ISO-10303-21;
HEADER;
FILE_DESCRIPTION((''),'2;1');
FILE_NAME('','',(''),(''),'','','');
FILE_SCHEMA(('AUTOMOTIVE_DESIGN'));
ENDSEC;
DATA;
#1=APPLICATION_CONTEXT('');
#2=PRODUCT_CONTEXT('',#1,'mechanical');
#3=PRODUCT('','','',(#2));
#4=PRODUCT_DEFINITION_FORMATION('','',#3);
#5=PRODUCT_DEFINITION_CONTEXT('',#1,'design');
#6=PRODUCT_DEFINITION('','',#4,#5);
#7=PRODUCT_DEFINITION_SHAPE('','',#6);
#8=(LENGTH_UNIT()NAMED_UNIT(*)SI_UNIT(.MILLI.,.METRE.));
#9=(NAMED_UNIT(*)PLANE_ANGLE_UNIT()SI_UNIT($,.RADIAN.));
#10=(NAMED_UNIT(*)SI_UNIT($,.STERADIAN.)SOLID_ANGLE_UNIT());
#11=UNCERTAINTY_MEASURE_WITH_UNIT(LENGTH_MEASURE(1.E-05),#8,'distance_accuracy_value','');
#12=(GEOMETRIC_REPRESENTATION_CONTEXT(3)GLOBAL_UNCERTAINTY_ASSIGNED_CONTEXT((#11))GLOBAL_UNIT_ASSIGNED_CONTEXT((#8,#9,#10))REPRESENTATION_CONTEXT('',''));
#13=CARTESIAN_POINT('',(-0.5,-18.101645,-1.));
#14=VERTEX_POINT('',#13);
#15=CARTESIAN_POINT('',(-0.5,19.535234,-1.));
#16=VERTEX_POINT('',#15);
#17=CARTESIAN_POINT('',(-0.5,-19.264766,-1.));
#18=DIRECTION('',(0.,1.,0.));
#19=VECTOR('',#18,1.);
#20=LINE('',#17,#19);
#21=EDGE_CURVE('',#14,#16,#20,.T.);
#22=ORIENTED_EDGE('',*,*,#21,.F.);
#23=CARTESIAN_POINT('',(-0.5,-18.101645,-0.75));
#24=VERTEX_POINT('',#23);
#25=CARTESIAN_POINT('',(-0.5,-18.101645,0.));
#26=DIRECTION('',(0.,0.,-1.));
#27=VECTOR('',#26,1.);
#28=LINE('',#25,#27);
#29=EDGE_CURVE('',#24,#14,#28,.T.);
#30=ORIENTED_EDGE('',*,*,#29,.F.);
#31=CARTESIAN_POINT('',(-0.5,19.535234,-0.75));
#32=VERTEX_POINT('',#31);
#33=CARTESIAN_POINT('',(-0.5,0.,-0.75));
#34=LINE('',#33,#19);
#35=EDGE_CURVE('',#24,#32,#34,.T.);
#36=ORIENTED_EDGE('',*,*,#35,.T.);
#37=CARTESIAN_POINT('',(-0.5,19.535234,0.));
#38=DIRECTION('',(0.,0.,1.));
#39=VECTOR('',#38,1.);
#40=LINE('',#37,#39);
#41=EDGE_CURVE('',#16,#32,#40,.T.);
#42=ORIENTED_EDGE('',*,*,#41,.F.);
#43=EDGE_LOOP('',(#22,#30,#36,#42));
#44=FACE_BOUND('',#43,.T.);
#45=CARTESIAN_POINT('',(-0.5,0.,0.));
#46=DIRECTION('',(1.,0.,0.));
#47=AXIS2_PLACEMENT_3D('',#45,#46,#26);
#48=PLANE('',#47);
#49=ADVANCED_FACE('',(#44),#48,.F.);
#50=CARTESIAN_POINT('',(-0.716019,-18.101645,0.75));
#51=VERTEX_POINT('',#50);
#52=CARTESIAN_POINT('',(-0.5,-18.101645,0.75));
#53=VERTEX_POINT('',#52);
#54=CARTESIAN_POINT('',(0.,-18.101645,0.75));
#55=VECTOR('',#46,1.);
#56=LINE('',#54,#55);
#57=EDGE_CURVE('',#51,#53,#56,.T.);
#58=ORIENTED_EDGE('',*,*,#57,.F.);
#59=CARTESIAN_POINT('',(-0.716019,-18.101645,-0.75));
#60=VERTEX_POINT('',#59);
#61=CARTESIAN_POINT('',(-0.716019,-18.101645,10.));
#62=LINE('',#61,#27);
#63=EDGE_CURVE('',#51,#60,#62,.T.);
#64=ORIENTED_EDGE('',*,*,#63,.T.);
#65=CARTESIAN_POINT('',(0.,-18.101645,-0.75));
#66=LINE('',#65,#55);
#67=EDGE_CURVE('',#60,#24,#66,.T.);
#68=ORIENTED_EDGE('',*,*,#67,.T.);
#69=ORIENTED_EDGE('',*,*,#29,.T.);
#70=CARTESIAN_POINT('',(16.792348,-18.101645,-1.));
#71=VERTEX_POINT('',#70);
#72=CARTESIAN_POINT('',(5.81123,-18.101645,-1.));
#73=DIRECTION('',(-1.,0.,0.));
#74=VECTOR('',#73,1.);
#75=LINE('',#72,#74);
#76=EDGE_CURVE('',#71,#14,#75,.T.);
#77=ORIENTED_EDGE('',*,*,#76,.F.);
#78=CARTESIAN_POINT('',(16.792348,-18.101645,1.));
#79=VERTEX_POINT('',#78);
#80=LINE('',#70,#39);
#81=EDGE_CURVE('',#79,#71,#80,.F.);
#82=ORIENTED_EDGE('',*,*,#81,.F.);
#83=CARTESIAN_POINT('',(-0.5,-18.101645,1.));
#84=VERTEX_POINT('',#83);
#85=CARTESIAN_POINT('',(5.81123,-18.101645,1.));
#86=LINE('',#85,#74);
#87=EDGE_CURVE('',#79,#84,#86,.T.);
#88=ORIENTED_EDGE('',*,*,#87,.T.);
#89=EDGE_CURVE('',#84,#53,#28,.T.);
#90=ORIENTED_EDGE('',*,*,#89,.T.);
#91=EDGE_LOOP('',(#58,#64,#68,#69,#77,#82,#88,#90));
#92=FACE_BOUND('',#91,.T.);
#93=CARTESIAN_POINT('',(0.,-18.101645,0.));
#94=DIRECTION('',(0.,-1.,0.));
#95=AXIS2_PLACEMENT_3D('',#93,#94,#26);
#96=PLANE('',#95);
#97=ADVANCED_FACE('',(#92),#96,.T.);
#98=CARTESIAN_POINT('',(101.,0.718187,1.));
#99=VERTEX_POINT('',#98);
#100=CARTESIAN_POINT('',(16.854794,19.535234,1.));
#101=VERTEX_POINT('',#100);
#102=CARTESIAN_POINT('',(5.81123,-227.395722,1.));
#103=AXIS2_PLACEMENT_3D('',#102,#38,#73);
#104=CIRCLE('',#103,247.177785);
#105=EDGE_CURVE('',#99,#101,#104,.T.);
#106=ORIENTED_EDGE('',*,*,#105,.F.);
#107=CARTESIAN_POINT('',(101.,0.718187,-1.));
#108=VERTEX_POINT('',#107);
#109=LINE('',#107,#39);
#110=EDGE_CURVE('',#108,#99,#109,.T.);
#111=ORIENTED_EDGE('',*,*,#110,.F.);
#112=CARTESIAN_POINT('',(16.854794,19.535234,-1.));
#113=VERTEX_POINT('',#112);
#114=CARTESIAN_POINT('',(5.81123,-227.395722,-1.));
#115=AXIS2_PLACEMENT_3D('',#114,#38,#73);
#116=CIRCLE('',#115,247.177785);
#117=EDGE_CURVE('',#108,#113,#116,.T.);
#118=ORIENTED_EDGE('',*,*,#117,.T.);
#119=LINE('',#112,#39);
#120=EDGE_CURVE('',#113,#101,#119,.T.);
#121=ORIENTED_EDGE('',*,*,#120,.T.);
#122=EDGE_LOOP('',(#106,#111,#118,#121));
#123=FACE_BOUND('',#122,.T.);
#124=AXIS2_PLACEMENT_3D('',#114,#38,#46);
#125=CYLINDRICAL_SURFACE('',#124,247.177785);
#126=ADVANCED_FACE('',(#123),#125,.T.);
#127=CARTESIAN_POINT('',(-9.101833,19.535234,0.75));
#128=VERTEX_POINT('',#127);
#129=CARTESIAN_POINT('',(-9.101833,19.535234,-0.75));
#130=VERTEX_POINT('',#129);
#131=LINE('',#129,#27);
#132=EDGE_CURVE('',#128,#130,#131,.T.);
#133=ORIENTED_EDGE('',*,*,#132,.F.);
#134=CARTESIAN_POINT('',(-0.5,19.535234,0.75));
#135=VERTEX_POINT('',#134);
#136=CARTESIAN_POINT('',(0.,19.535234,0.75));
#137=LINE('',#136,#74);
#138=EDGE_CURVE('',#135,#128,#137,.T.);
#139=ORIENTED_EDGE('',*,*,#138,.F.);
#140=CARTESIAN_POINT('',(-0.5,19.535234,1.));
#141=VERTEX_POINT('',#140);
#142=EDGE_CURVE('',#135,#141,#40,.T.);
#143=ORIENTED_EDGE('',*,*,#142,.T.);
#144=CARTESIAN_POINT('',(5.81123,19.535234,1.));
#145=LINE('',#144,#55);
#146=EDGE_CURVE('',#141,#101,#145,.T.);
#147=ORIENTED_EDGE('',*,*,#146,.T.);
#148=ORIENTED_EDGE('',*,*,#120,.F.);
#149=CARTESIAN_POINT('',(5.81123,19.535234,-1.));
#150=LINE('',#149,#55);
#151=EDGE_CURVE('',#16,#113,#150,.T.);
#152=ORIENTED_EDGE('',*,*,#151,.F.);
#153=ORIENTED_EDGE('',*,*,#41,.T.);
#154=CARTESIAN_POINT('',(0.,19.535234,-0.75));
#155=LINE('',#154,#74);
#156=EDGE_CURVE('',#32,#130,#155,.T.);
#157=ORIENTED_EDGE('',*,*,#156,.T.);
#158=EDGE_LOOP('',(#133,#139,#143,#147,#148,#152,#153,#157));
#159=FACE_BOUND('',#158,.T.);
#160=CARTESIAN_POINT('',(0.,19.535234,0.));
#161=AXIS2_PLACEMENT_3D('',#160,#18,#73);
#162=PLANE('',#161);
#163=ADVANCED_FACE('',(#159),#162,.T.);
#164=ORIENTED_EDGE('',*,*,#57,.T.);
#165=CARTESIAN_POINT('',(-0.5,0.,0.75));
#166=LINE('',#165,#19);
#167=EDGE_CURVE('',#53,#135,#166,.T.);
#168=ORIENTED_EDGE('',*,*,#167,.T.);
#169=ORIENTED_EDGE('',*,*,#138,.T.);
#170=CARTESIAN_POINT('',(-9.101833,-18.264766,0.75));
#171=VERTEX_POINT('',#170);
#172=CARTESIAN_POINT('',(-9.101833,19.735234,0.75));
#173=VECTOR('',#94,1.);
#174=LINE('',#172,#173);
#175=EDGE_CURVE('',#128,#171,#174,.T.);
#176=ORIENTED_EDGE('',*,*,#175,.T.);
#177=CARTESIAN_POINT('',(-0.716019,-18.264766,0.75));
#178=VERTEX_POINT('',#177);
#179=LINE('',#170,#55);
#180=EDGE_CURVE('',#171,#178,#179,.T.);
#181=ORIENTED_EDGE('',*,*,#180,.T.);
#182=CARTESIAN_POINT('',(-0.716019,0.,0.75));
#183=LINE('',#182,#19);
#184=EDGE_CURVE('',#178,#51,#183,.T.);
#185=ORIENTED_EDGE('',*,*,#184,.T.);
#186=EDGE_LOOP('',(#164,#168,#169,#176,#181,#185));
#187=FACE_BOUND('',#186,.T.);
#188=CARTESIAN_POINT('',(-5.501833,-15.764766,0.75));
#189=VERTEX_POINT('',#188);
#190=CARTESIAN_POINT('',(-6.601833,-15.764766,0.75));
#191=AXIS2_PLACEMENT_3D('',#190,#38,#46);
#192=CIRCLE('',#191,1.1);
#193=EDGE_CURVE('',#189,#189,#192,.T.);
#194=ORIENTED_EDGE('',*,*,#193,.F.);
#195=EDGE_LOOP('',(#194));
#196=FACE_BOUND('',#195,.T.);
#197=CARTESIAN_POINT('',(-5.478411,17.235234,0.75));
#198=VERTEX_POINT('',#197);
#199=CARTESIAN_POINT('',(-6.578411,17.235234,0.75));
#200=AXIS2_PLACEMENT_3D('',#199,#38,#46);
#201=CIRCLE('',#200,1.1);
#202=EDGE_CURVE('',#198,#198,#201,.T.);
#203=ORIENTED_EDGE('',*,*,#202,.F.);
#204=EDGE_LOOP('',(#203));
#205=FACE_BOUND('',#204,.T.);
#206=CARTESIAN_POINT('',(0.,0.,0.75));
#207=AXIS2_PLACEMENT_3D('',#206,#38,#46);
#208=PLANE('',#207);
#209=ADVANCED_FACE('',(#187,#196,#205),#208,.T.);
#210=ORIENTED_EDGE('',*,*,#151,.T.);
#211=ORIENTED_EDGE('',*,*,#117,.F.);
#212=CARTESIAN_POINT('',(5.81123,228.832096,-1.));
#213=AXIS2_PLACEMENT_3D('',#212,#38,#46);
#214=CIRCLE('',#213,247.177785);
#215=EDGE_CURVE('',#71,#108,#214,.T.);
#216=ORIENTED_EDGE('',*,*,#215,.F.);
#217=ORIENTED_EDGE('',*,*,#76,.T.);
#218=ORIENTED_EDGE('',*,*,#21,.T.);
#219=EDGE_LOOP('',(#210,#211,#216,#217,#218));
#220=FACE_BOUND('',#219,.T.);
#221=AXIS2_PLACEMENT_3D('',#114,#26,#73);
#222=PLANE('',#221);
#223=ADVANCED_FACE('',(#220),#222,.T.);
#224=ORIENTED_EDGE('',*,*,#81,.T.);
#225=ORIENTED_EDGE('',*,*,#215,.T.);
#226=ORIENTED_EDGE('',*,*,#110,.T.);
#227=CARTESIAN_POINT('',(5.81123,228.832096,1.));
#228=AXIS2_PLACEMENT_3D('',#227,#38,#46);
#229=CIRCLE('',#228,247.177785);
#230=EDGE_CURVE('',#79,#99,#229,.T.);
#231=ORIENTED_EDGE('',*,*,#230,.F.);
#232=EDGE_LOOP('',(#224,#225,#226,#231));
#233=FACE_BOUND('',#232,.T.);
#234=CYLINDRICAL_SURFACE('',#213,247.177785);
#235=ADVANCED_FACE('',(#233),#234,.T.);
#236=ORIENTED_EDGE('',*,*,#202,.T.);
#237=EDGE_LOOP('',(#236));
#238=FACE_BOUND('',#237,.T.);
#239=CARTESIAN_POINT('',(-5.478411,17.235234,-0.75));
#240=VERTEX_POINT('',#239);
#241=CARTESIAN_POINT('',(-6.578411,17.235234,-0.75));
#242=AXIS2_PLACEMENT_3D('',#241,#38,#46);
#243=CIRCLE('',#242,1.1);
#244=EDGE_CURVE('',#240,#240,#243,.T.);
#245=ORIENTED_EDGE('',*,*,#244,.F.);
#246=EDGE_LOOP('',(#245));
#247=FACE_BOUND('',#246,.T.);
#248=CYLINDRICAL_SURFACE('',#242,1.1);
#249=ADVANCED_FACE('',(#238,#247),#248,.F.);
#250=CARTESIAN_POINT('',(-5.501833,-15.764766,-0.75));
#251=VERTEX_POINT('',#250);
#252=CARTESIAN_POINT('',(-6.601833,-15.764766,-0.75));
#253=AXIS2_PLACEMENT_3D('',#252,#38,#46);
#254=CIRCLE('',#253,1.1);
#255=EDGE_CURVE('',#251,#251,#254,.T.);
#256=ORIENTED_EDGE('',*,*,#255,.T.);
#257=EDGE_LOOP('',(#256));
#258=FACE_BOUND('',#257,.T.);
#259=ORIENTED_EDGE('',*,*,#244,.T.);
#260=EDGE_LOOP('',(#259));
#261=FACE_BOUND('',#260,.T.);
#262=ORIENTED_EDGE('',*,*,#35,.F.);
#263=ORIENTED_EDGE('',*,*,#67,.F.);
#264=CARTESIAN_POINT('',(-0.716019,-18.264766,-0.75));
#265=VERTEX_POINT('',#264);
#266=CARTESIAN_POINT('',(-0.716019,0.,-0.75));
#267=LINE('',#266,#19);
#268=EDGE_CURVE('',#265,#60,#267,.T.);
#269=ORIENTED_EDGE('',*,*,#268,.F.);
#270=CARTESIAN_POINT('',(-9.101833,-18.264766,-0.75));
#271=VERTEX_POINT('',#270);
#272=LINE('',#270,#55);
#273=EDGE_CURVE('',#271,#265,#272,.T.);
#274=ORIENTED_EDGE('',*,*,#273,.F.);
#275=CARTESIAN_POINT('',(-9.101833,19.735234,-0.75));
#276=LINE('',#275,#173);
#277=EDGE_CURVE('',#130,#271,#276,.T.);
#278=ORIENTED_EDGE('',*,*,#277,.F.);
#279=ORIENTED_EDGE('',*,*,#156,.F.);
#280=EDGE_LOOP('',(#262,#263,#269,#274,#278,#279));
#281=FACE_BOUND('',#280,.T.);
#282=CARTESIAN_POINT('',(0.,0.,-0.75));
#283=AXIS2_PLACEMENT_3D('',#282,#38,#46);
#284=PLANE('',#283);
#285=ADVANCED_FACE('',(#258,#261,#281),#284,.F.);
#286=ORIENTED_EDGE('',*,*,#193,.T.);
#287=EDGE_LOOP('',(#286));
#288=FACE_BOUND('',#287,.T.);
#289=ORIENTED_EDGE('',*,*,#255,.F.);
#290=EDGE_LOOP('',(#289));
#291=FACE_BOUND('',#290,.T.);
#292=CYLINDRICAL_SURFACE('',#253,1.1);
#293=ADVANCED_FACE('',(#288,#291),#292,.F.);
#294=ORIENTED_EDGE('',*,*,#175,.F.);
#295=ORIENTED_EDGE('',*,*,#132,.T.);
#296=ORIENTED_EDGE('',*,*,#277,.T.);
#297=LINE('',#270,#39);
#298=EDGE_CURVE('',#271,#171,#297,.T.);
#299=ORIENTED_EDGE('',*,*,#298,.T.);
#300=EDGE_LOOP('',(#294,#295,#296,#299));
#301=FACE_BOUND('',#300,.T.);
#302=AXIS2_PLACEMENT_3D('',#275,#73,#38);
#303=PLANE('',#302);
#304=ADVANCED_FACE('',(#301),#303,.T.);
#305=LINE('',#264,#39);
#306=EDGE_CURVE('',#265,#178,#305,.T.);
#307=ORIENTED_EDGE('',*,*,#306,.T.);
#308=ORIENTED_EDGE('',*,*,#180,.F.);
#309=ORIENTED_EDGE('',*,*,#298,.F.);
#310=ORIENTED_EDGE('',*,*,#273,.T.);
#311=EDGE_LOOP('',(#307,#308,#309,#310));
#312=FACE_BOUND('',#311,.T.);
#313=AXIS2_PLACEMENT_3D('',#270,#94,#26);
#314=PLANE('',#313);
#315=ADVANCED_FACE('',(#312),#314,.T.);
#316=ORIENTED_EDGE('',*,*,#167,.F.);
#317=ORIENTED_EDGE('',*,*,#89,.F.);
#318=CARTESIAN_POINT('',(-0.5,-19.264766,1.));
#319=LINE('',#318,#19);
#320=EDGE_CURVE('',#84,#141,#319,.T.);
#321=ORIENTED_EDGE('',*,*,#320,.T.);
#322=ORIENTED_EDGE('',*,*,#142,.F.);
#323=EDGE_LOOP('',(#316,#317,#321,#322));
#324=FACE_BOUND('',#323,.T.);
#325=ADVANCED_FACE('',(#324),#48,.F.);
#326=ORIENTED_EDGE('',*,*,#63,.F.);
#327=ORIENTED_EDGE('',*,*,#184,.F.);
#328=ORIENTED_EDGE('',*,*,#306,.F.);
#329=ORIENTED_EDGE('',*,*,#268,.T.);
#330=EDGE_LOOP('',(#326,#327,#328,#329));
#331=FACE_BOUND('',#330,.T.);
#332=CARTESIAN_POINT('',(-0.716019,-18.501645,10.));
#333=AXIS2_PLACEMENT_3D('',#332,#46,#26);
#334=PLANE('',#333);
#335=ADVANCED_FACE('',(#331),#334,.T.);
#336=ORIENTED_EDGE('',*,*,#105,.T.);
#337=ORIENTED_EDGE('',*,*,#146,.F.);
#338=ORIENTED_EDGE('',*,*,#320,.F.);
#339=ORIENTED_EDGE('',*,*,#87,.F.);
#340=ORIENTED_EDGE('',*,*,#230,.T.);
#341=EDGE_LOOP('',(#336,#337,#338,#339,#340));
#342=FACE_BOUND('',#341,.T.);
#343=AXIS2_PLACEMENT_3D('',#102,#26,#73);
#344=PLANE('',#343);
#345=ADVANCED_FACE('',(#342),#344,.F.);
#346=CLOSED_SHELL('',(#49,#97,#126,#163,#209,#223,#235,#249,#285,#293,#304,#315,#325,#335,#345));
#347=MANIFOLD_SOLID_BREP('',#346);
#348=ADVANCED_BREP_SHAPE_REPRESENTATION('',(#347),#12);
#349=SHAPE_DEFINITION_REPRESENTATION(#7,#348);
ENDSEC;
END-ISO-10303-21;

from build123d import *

# Parameters (mm, degrees)
EXTRUDE_1_DEPTH          = 0.75
EXTRUDE_1_DEPTH_BACK     = 0.75
SKETCH_1_W               = 10
SKETCH_1_H               = 38
SKETCH_1_R               = 1.1
SKETCH_3_W               = 20
SKETCH_3_H               = 38.036879249
EXTRUDE_2_DEPTH          = 1.5
EXTRUDE_3_DEPTH          = 1
EXTRUDE_3_DEPTH_BACK     = 1
CUT_EXTRUDE_4_DEPTH      = 0.2
CUT_EXTRUDE_4_DEPTH_BACK = 0.2
SKETCH_10_W              = 112.497058814
SKETCH_10_H              = 20.543414641
CUT_EXTRUDE_5_DEPTH      = 0.2
CUT_EXTRUDE_5_DEPTH_BACK = 0.2
SKETCH_11_W              = 104.514605189
SKETCH_11_H              = 21.657747512
SKETCH_12_W              = 1.5
SKETCH_12_H              = 9
CUT_EXTRUDE_6_DEPTH      = 39


with BuildPart() as part:
    # 草圖1 → 填料-伸長1 (new, two sides: drawn at the far end of the back side and taken through both)
    with BuildSketch(Plane.XY.offset(-EXTRUDE_1_DEPTH_BACK)):
        with Locations((-4.101832994, 0.735234216)):
            Rectangle(SKETCH_1_W, SKETCH_1_H)
        with Locations((-6.601832994, -15.764765784)):
            Circle(SKETCH_1_R, mode=Mode.SUBTRACT)
        with Locations((-6.578411405, 17.235234216)):
            Circle(SKETCH_1_R, mode=Mode.SUBTRACT)
    extrude(amount=EXTRUDE_1_DEPTH + EXTRUDE_1_DEPTH_BACK)

    # 草圖3 → 填料-伸長2 (add)
    with BuildSketch(Plane(origin=(-0.5, 0, 0), x_dir=(0, 0, -1), z_dir=(1, 0, 0))):
        with Locations((0, 0.716794592)):
            Rectangle(SKETCH_3_W, SKETCH_3_H)
    extrude(amount=EXTRUDE_2_DEPTH)

    # 草圖4 → 填料-伸長3 (add, two sides: drawn at the far end of the back side and taken through both)
    with BuildSketch(Plane.XY.offset(-EXTRUDE_3_DEPTH_BACK)):
        with BuildLine():
            Line((1, 19.735234216), (1, -18.298860138))
            ThreePointArc((1, -18.298860138), (51.989546932, -13.993809638), (101, 0.718187039))
            ThreePointArc((101, 0.718187039), (51.989546932, 15.430183716), (1, 19.735234216))
        make_face()
    extrude(amount=EXTRUDE_3_DEPTH + EXTRUDE_3_DEPTH_BACK)

    # 草圖10 → 除料-伸長4 (cut, two sides: drawn at the far end of the back side and taken through both)
    with BuildSketch(Plane(origin=(0, 19.735234216, 0), x_dir=(1, 0, 0), z_dir=(0, 1, 0)).offset(-CUT_EXTRUDE_4_DEPTH_BACK)):
        with Locations((46.49437126, 0.271707321)):
            Rectangle(SKETCH_10_W, SKETCH_10_H)
    extrude(amount=CUT_EXTRUDE_4_DEPTH + CUT_EXTRUDE_4_DEPTH_BACK, mode=Mode.SUBTRACT)

    # 草圖11 → 除料-伸長5 (cut, two sides: drawn at the far end of the back side and taken through both)
    with BuildSketch(Plane(origin=(0, -18.301645033, 0), x_dir=(-1, 0, 0), z_dir=(0, -1, 0)).offset(-CUT_EXTRUDE_5_DEPTH_BACK)):
        with Locations((-51.541283716, 0.828873756)):
            Rectangle(SKETCH_11_W, SKETCH_11_H)
    extrude(amount=CUT_EXTRUDE_5_DEPTH + CUT_EXTRUDE_5_DEPTH_BACK, mode=Mode.SUBTRACT)

    # 草圖12 → 除料-伸長6 (cut)
    with BuildSketch(Plane(origin=(0, 19.735234216, 0), x_dir=(1, 0, 0), z_dir=(0, 1, 0))):
        with Locations((0.25, -5.5)):
            Rectangle(SKETCH_12_W, SKETCH_12_H)
        with Locations((0.25, 5.5)):
            Rectangle(SKETCH_12_W, SKETCH_12_H)
    extrude(amount=-CUT_EXTRUDE_6_DEPTH, mode=Mode.SUBTRACT)


solid = part.part
